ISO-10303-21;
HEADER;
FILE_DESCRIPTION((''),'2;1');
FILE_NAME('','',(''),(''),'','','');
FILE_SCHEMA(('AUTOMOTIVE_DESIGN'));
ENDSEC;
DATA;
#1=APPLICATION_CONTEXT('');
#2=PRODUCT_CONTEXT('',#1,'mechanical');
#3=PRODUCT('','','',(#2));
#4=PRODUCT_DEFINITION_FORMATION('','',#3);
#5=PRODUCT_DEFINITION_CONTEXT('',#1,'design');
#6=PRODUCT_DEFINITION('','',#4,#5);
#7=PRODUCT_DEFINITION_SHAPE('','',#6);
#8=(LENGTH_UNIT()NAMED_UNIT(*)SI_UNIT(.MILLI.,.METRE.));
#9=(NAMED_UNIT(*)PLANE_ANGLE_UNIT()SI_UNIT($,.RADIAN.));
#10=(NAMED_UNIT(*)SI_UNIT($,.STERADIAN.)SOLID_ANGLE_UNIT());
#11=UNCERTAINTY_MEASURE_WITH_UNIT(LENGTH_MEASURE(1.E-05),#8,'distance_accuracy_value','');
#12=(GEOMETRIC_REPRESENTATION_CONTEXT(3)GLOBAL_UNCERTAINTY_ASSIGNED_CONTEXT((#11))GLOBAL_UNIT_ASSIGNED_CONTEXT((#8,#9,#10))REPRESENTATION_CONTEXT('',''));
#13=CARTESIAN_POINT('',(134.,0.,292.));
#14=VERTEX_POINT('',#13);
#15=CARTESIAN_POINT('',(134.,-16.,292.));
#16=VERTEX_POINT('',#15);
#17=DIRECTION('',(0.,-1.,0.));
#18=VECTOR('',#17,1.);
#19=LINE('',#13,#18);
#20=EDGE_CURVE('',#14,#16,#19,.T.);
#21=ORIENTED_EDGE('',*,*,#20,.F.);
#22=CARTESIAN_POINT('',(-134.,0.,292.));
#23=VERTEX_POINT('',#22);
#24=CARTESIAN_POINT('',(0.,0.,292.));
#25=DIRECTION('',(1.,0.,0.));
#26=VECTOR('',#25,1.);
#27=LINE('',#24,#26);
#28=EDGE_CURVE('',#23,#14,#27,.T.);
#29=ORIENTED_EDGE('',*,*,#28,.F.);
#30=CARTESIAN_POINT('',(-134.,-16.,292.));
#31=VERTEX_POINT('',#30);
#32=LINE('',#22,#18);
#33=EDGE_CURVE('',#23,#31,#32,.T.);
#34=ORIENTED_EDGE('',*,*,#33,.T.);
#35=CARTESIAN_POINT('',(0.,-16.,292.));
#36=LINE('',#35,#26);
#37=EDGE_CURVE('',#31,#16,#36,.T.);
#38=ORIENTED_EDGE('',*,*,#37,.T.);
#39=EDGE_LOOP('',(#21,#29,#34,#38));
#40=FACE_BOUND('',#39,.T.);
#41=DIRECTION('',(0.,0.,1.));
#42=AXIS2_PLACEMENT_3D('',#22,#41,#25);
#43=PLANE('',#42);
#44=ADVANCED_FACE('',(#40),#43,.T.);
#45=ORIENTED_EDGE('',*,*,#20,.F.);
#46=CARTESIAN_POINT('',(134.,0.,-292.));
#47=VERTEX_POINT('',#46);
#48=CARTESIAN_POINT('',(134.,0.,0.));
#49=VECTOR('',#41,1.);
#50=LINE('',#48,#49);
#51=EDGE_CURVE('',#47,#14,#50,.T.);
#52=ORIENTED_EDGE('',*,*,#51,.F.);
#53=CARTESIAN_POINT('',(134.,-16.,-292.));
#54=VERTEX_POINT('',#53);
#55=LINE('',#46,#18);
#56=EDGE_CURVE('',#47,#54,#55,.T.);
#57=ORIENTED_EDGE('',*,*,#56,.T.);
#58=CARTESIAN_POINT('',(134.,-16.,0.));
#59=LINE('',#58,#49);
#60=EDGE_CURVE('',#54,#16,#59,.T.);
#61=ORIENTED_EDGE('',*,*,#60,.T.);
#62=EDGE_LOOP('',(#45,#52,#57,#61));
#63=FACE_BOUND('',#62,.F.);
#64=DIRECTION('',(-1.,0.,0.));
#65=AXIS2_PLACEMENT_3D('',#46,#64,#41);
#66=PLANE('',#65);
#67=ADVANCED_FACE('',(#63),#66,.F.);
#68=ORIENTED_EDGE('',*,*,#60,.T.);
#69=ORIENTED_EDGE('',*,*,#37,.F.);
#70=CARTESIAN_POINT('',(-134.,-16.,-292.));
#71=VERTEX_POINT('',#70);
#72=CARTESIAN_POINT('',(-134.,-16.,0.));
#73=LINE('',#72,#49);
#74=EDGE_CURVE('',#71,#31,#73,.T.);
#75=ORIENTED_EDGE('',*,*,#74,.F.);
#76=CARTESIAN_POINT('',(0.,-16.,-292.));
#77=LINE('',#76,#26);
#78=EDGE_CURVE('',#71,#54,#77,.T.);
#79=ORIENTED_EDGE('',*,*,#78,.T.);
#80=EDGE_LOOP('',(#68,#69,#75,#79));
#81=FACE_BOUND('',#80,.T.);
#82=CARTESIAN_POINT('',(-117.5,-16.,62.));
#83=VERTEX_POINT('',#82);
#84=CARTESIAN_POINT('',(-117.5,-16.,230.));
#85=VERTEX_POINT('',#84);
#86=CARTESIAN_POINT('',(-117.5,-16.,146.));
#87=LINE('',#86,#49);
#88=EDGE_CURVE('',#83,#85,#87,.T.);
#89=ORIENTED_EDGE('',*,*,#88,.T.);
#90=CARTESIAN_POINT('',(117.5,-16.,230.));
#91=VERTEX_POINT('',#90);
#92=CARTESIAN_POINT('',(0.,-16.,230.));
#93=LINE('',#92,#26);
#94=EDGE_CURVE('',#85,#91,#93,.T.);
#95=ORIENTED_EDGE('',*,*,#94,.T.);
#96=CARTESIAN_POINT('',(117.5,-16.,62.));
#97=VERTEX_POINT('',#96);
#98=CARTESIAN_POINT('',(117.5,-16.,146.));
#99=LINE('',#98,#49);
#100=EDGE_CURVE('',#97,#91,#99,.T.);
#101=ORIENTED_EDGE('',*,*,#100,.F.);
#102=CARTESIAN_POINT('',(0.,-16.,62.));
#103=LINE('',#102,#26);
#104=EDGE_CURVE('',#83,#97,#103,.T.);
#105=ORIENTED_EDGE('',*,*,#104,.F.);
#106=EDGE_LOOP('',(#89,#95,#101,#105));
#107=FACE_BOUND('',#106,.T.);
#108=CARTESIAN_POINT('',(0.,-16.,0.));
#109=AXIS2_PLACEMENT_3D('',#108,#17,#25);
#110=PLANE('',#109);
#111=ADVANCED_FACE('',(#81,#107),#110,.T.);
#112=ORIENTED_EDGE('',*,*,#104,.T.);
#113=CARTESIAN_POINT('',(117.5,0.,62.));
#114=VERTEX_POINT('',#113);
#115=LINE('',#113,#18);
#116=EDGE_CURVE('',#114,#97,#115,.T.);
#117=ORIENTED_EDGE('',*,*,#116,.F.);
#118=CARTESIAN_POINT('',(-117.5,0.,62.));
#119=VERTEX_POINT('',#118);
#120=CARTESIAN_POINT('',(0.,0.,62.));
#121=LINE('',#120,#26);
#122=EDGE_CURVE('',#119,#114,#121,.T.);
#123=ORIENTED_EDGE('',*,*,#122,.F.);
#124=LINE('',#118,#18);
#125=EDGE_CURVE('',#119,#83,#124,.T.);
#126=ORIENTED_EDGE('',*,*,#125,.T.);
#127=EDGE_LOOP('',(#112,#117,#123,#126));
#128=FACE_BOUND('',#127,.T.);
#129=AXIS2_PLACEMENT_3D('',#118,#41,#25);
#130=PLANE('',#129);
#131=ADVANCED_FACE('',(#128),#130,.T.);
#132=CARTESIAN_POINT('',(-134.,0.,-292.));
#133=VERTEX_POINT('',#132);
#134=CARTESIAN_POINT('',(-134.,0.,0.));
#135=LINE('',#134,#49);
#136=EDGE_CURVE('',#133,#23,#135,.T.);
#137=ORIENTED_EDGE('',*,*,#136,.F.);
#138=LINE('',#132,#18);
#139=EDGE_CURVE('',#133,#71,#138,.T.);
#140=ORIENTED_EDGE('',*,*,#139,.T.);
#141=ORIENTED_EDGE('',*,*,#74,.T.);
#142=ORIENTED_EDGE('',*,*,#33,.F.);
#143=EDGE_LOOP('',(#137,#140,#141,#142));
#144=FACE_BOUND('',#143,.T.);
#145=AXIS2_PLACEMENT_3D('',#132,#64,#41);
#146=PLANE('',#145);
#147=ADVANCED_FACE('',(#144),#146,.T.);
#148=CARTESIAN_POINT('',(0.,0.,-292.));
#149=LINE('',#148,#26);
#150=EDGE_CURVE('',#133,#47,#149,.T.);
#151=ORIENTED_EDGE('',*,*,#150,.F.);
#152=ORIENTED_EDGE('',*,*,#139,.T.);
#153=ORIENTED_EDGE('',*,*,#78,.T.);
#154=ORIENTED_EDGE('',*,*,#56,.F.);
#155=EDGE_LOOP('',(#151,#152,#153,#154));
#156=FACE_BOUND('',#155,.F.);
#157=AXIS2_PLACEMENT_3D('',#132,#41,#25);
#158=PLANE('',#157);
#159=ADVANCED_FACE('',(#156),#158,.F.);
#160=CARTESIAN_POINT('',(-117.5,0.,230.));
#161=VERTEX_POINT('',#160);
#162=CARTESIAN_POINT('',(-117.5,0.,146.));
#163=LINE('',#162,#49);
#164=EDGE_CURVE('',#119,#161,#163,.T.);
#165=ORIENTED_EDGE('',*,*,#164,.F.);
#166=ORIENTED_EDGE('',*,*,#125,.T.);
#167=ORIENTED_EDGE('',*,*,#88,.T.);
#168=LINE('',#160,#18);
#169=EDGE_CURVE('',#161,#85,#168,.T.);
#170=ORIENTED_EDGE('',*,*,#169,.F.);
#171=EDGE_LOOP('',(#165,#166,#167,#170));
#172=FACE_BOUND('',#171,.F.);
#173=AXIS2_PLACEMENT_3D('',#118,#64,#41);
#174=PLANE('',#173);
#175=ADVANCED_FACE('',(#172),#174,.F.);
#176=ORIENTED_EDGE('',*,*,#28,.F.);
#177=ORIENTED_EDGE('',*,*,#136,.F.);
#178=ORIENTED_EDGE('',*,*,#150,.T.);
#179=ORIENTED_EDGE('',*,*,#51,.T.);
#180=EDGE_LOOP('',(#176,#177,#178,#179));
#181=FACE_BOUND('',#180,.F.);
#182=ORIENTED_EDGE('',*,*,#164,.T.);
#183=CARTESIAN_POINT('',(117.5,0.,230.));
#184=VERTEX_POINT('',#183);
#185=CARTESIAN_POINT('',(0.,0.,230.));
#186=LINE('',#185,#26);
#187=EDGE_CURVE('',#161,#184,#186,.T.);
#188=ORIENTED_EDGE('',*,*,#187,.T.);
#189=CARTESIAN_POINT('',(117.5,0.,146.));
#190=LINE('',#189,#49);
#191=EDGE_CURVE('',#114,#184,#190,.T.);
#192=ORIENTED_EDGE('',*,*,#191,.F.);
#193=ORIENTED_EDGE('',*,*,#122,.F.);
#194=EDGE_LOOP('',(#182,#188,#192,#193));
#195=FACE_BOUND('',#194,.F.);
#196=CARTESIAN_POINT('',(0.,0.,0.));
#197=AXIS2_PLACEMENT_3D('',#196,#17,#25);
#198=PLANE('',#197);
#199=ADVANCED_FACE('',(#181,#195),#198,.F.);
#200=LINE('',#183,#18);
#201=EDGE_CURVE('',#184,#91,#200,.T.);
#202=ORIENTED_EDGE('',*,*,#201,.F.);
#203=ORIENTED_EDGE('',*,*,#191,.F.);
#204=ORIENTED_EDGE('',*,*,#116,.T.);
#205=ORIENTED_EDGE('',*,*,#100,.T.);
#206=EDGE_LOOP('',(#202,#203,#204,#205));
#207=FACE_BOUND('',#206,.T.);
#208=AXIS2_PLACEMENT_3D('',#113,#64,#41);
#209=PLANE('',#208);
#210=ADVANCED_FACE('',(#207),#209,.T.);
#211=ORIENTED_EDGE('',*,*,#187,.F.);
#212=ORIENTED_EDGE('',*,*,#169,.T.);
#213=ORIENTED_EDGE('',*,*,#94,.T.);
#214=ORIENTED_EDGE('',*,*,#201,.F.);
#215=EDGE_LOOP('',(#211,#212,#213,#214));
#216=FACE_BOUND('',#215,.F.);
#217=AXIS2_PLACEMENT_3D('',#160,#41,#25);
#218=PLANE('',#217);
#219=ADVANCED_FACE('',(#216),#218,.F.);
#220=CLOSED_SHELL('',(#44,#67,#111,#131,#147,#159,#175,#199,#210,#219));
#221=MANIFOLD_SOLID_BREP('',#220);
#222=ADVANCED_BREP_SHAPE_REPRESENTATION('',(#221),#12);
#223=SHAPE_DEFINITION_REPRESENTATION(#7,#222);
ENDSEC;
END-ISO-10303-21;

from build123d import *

# Parameters (mm, degrees)
F0_W     = 268
F0_H     = 584
F0_W_2   = 255
F0_H_2   = 188
F0_W_3   = 235
F0_H_3   = 168
F1_DEPTH = 16


with BuildPart() as f1:
    # F0 (on Front) → F1 (new body)
    with BuildSketch(Plane.XZ):
        Rectangle(F0_W, F0_H)
        with Locations((0, 146)):
            Rectangle(F0_W_2, F0_H_2, mode=Mode.SUBTRACT)
        with Locations((0, 146)):
            Rectangle(F0_W_2, F0_H_2)
        with Locations((0, 146)):
            Rectangle(F0_W_3, F0_H_3, mode=Mode.SUBTRACT)
    extrude(amount=F1_DEPTH)


solid = f1.part
